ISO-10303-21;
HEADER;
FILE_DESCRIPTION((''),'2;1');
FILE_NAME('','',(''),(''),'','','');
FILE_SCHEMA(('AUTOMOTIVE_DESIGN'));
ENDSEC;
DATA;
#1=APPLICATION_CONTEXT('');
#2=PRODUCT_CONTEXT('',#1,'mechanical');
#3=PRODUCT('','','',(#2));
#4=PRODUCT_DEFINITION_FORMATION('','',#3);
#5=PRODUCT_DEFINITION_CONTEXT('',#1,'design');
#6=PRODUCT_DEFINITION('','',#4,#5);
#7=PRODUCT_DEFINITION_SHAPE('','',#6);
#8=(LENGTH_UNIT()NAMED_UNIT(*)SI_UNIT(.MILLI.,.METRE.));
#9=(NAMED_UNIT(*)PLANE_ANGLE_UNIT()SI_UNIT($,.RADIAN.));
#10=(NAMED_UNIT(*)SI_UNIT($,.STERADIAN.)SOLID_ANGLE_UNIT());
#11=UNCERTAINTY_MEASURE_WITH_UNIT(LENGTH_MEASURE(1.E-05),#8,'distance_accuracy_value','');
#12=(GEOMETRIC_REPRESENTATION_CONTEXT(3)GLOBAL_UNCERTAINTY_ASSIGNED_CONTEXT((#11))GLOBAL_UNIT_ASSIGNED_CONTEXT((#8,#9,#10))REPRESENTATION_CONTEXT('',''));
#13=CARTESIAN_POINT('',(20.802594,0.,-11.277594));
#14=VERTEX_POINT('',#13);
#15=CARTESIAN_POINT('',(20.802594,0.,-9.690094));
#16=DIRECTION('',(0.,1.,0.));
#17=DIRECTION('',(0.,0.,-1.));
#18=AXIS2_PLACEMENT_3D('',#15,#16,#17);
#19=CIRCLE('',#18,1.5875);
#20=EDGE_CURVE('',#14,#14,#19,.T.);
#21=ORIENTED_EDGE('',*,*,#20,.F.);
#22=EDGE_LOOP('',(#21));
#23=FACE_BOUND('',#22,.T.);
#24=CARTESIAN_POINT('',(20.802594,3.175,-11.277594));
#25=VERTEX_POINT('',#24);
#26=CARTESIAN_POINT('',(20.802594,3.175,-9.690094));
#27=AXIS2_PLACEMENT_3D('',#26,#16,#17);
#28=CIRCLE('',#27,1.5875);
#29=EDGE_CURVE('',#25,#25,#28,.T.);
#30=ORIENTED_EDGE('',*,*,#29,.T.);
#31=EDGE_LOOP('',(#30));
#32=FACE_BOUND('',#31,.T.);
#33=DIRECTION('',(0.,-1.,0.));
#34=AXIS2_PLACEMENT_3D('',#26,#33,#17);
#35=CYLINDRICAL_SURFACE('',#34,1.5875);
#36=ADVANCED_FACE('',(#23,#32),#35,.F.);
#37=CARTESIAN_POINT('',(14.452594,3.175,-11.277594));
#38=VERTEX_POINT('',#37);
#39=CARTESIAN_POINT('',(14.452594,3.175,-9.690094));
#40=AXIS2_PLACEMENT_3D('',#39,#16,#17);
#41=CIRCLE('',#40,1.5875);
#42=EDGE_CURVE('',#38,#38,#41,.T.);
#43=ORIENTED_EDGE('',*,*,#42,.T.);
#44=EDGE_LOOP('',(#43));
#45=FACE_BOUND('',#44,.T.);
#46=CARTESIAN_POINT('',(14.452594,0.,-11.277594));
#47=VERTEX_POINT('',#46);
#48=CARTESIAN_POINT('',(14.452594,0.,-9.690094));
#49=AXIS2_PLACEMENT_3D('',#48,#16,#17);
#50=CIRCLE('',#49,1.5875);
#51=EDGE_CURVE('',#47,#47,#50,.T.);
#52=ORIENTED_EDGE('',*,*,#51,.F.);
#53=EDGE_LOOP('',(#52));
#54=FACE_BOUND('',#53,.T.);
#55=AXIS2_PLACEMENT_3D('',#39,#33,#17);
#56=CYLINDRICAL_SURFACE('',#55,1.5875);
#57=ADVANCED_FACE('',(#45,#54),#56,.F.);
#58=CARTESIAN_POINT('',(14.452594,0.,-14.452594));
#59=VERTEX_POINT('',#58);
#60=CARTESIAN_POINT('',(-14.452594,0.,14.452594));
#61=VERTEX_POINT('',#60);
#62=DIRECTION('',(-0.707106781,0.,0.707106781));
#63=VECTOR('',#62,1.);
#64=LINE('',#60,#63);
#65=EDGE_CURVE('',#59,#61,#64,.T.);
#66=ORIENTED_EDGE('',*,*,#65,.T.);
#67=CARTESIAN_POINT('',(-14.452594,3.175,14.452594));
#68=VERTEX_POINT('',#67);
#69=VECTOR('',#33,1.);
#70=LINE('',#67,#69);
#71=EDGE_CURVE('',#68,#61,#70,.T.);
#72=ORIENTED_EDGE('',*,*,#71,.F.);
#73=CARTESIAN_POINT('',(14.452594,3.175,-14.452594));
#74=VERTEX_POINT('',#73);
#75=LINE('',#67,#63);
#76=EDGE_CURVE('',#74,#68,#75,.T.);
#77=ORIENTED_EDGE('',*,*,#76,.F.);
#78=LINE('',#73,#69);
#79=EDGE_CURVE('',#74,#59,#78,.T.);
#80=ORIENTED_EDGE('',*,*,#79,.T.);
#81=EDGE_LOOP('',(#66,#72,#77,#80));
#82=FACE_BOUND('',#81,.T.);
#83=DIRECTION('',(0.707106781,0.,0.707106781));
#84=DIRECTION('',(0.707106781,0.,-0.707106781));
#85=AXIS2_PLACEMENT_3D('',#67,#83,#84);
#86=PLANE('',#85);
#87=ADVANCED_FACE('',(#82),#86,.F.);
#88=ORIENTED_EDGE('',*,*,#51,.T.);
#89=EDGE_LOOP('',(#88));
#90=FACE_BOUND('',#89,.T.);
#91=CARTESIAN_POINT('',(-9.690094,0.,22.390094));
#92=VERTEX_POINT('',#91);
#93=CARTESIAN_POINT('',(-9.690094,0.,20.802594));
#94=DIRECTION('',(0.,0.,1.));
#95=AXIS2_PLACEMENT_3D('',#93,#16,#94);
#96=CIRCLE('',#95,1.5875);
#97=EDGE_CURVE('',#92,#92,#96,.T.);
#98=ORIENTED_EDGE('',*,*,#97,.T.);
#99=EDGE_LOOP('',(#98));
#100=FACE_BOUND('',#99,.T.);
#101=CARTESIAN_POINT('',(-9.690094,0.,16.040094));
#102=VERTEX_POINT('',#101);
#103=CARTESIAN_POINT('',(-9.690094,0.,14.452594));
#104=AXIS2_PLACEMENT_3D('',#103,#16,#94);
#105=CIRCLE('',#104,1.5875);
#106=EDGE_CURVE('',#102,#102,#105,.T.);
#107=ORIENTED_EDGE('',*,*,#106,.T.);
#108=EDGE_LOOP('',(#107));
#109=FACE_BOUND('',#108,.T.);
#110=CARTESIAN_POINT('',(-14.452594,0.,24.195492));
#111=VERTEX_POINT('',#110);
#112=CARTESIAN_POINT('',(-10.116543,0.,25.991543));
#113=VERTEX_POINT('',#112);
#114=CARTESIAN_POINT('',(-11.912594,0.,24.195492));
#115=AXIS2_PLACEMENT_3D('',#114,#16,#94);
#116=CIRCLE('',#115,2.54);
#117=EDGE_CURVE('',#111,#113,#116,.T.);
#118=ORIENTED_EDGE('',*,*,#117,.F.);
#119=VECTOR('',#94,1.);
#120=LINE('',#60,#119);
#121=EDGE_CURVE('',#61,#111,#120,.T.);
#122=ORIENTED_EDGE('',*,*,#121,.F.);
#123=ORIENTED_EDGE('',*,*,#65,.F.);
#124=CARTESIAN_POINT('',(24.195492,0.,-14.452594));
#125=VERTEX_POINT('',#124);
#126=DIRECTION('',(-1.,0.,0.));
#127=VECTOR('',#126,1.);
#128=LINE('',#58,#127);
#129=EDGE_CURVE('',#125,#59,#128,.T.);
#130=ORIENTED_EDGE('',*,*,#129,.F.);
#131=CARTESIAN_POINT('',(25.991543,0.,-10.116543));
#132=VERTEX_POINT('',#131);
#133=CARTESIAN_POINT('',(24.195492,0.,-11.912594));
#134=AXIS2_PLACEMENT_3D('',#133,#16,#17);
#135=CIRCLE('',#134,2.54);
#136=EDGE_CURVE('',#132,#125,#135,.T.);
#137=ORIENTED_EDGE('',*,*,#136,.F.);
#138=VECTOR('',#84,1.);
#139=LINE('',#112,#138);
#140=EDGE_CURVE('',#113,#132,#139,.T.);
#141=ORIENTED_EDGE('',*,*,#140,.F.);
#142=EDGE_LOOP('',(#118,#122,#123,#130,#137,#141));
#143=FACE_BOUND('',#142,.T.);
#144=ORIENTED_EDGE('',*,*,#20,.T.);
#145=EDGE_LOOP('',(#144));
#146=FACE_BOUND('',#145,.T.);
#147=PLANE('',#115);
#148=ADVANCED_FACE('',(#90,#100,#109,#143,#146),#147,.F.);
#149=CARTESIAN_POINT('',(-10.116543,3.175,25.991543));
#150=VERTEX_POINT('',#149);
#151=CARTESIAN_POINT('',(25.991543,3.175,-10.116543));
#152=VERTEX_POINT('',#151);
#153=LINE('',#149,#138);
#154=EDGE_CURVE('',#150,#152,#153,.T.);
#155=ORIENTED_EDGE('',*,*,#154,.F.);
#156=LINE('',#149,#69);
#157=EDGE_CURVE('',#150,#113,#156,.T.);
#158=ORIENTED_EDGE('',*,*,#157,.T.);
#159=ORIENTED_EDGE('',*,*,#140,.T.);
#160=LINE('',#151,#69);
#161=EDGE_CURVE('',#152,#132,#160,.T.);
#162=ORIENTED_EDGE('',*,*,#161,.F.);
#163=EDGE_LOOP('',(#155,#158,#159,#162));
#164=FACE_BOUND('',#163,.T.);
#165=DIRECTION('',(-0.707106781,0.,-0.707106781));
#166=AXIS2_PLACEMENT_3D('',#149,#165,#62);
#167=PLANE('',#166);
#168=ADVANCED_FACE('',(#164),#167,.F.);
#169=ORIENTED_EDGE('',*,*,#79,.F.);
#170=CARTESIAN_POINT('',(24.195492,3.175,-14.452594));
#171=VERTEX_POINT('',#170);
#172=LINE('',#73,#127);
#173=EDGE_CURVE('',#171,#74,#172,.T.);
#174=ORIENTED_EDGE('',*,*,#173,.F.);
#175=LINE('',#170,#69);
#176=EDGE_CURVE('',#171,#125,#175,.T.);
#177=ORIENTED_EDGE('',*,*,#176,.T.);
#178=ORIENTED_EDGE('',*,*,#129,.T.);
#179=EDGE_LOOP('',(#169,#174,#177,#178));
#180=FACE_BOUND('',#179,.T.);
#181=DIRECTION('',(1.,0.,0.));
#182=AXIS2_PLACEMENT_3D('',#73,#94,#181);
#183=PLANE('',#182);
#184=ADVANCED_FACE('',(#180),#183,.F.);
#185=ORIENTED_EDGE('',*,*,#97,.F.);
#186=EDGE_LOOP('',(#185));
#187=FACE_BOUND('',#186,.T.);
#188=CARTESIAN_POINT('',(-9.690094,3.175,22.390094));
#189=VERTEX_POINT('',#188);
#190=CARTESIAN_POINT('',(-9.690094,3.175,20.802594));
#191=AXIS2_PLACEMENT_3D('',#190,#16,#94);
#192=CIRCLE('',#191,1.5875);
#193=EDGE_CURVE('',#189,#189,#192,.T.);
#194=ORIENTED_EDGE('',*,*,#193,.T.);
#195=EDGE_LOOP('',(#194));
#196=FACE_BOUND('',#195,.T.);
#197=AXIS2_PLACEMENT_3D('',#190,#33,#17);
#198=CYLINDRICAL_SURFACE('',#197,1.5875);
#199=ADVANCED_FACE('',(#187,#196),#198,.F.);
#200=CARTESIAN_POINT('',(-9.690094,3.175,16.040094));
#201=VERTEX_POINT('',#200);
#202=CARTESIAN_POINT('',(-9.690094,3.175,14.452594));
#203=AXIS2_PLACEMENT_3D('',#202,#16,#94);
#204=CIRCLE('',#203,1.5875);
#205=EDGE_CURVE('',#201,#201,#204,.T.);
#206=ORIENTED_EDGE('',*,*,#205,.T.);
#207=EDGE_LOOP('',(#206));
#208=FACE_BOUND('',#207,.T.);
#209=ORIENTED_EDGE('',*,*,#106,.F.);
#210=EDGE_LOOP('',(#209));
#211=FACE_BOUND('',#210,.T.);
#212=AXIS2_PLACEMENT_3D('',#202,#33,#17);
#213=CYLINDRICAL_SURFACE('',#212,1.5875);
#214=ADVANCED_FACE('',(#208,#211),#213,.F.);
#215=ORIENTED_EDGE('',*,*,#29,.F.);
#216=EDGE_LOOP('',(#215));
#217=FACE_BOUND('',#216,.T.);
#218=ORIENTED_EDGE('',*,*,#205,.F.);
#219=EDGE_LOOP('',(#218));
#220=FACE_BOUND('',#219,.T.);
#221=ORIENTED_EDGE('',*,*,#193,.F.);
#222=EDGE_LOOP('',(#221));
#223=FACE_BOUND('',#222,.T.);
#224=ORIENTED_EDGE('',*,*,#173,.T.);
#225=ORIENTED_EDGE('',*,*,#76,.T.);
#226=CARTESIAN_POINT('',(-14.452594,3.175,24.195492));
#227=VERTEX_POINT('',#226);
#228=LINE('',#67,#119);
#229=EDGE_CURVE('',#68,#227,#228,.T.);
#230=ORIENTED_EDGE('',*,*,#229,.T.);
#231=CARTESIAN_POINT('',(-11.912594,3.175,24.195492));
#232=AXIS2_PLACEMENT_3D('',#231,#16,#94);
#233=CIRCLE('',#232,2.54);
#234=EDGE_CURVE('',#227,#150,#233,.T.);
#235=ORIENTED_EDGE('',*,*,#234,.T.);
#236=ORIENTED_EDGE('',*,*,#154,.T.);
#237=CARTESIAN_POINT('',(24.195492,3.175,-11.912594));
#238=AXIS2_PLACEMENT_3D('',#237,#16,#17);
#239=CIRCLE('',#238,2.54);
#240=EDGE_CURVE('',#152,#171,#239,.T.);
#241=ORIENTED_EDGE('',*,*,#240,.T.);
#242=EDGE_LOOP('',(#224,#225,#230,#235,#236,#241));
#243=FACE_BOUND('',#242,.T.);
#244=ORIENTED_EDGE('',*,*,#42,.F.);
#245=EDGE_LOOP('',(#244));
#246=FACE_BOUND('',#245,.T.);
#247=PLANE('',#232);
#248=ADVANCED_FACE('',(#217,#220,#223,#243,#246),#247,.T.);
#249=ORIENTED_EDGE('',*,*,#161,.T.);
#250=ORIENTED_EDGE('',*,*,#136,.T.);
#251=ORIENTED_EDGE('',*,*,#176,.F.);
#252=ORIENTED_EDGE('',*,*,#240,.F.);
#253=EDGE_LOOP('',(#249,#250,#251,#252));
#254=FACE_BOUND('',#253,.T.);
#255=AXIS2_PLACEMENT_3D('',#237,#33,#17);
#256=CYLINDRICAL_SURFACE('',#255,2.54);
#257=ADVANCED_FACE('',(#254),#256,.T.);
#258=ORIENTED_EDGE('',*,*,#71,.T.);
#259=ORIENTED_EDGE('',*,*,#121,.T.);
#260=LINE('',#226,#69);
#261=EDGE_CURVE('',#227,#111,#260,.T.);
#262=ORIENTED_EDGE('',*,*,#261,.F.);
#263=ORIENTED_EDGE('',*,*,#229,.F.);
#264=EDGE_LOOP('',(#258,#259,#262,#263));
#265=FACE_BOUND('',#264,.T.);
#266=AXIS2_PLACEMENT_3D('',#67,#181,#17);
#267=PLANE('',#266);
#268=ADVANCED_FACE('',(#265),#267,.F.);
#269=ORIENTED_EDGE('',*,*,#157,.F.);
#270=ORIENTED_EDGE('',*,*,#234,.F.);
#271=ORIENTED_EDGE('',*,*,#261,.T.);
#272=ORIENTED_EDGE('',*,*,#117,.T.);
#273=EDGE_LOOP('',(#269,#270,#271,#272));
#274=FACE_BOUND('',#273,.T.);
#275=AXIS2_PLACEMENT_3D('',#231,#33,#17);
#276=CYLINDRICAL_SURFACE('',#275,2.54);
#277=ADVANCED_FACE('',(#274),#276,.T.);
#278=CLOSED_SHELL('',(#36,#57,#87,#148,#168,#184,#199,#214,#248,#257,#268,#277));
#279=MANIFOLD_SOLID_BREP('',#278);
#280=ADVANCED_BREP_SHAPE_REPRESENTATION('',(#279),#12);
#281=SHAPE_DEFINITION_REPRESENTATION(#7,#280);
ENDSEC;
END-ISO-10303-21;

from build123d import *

# Parameters (mm, degrees)
SKETCH1_R           = 1.5875
BOSS_EXTRUDE1_DEPTH = 3.175


with BuildPart() as part:
    # Sketch1 → Boss-Extrude1 (new body)
    with BuildSketch(Plane(origin=(0, 0, 0), x_dir=(1, 0, 0), z_dir=(0, 1, 0))):
        with BuildLine():
            Line((-14.452594388, -14.452594388), (14.452594388, 14.452594388))
            Line((14.452594388, 14.452594388), (24.19549194, 14.452594388))
            ThreePointArc((24.19549194, 14.452594388), (26.542145952, 12.884610306), (25.991543164, 10.116543164))
            Line((25.991543164, 10.116543164), (-10.116543164, -25.991543164))
            ThreePointArc((-10.116543164, -25.991543164), (-12.884610306, -26.542145952), (-14.452594388, -24.19549194))
            Line((-14.452594388, -24.19549194), (-14.452594388, -14.452594388))
        make_face()
        with Locations((-9.690094388, -14.452594388)):
            Circle(SKETCH1_R, mode=Mode.SUBTRACT)
        with Locations((-9.690094388, -20.802594388)):
            Circle(SKETCH1_R, mode=Mode.SUBTRACT)
        with Locations((20.802594388, 9.690094388)):
            Circle(SKETCH1_R, mode=Mode.SUBTRACT)
        with Locations((14.452594388, 9.690094388)):
            Circle(SKETCH1_R, mode=Mode.SUBTRACT)
    extrude(amount=BOSS_EXTRUDE1_DEPTH)


solid = part.part
